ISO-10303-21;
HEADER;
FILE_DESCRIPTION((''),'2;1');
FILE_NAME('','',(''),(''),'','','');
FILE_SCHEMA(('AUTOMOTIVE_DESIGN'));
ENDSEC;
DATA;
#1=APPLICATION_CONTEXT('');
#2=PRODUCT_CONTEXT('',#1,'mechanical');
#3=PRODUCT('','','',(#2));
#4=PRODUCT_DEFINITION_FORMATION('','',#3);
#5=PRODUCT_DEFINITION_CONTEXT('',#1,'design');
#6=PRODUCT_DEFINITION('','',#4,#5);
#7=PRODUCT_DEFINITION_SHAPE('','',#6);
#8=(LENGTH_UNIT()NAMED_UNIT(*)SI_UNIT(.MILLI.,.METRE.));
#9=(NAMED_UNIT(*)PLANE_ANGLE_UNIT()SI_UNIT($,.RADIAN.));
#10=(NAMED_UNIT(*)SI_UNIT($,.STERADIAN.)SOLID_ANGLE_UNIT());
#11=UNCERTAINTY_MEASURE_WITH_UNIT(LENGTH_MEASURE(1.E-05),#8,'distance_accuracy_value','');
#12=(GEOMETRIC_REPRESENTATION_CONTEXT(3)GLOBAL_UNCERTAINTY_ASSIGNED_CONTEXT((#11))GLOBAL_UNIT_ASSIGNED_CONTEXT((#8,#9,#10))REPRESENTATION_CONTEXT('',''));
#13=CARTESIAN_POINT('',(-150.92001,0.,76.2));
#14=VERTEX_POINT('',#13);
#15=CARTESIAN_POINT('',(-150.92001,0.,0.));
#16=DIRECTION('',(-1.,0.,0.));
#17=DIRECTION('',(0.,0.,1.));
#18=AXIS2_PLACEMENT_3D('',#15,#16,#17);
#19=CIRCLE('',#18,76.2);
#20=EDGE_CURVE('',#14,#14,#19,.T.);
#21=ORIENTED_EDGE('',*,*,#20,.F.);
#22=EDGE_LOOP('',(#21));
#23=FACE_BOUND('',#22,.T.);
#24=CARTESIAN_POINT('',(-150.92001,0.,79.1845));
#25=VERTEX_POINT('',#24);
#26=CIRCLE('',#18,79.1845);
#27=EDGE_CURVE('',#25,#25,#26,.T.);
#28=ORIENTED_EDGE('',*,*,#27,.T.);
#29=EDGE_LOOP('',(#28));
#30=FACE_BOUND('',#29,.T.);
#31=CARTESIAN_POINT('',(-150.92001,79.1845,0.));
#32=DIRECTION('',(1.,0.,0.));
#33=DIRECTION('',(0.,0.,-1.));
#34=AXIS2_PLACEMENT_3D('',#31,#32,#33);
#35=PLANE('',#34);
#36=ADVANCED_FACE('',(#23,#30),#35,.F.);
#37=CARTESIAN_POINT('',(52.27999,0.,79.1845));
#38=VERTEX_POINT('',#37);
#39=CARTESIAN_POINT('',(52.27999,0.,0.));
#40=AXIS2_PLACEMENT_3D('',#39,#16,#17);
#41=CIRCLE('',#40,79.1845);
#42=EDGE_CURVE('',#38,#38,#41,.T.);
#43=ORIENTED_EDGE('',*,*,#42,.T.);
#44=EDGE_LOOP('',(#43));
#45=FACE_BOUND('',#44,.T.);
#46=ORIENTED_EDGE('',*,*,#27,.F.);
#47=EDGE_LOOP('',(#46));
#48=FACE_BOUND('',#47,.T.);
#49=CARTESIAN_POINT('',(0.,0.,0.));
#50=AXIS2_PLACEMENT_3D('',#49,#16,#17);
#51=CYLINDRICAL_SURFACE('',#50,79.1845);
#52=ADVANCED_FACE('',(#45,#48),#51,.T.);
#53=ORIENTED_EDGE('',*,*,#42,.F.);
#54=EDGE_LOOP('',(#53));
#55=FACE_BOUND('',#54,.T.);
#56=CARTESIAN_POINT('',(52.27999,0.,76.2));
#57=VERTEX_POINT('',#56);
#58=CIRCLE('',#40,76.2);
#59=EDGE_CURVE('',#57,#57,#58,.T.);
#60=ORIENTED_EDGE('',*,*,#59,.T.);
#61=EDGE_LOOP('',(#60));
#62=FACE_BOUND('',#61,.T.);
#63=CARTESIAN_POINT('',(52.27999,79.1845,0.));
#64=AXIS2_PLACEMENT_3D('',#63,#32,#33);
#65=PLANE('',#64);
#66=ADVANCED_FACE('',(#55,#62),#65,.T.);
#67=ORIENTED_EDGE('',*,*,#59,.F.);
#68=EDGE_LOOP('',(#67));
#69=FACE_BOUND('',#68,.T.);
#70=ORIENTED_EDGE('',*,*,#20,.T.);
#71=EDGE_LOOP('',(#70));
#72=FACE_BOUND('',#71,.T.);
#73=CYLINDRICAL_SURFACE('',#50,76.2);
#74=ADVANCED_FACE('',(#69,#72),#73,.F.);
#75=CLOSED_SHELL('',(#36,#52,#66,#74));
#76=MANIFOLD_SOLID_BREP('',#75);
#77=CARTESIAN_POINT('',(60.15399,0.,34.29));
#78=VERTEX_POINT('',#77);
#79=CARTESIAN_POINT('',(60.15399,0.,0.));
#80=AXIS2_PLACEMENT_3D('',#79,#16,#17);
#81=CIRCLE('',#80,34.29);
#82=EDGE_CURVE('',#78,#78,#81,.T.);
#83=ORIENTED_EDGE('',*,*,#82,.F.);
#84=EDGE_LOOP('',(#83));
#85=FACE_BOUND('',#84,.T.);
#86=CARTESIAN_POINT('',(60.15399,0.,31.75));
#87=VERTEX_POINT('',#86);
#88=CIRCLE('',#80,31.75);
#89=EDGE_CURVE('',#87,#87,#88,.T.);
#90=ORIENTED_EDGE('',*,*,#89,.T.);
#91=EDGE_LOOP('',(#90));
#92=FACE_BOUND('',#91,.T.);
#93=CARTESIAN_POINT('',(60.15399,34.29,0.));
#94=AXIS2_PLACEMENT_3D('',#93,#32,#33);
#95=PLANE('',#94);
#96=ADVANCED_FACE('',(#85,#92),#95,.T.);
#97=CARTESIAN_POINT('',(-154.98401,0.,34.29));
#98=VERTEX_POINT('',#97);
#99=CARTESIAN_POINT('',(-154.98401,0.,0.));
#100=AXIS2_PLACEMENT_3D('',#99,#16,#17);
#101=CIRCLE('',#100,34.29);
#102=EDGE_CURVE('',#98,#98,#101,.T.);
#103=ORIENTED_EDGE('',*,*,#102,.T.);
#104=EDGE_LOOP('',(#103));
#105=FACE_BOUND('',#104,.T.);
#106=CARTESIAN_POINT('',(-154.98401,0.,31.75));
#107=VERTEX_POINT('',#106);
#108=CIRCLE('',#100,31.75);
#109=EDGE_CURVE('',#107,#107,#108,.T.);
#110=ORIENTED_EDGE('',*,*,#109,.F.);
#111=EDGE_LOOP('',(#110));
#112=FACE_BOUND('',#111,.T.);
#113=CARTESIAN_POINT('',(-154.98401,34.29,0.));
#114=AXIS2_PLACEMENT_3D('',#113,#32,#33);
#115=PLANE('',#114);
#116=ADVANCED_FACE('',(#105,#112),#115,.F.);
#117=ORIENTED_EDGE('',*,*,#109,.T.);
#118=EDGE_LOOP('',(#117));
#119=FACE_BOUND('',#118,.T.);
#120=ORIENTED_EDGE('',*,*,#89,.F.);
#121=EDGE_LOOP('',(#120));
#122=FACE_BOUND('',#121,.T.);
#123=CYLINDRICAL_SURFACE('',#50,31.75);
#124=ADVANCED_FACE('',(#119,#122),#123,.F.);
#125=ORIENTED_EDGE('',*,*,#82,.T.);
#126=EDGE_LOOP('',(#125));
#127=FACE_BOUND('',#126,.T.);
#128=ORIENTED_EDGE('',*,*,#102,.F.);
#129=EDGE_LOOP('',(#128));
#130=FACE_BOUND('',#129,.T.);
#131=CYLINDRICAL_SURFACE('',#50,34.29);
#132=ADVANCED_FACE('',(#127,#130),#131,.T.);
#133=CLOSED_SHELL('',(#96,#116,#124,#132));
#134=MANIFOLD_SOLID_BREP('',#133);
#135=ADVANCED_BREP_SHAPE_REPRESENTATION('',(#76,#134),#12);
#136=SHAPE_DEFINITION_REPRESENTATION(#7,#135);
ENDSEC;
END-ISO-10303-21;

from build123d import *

# Parameters (mm, degrees)
SKETCH2_W   = 215.138
SKETCH2_H   = 2.54
SKETCH2_W_2 = 203.2
SKETCH2_H_2 = 2.9845


with BuildPart() as part:
    # Sketch2 → Revolve1 (revolve)
    with BuildSketch(Plane.XY, mode=Mode.PRIVATE) as revolve1_sk:
        with Locations((-47.415009986, 33.02)):
            Rectangle(SKETCH2_W, SKETCH2_H)
        with Locations((-49.320009986, 77.69225)):
            Rectangle(SKETCH2_W_2, SKETCH2_H_2)
    revolve(revolve1_sk.sketch.rotate(Axis((0, 0, 0), (1, 0, 0)), 90), axis=Axis((0, 0, 0), (1, 0, 0)))


solid = part.part
